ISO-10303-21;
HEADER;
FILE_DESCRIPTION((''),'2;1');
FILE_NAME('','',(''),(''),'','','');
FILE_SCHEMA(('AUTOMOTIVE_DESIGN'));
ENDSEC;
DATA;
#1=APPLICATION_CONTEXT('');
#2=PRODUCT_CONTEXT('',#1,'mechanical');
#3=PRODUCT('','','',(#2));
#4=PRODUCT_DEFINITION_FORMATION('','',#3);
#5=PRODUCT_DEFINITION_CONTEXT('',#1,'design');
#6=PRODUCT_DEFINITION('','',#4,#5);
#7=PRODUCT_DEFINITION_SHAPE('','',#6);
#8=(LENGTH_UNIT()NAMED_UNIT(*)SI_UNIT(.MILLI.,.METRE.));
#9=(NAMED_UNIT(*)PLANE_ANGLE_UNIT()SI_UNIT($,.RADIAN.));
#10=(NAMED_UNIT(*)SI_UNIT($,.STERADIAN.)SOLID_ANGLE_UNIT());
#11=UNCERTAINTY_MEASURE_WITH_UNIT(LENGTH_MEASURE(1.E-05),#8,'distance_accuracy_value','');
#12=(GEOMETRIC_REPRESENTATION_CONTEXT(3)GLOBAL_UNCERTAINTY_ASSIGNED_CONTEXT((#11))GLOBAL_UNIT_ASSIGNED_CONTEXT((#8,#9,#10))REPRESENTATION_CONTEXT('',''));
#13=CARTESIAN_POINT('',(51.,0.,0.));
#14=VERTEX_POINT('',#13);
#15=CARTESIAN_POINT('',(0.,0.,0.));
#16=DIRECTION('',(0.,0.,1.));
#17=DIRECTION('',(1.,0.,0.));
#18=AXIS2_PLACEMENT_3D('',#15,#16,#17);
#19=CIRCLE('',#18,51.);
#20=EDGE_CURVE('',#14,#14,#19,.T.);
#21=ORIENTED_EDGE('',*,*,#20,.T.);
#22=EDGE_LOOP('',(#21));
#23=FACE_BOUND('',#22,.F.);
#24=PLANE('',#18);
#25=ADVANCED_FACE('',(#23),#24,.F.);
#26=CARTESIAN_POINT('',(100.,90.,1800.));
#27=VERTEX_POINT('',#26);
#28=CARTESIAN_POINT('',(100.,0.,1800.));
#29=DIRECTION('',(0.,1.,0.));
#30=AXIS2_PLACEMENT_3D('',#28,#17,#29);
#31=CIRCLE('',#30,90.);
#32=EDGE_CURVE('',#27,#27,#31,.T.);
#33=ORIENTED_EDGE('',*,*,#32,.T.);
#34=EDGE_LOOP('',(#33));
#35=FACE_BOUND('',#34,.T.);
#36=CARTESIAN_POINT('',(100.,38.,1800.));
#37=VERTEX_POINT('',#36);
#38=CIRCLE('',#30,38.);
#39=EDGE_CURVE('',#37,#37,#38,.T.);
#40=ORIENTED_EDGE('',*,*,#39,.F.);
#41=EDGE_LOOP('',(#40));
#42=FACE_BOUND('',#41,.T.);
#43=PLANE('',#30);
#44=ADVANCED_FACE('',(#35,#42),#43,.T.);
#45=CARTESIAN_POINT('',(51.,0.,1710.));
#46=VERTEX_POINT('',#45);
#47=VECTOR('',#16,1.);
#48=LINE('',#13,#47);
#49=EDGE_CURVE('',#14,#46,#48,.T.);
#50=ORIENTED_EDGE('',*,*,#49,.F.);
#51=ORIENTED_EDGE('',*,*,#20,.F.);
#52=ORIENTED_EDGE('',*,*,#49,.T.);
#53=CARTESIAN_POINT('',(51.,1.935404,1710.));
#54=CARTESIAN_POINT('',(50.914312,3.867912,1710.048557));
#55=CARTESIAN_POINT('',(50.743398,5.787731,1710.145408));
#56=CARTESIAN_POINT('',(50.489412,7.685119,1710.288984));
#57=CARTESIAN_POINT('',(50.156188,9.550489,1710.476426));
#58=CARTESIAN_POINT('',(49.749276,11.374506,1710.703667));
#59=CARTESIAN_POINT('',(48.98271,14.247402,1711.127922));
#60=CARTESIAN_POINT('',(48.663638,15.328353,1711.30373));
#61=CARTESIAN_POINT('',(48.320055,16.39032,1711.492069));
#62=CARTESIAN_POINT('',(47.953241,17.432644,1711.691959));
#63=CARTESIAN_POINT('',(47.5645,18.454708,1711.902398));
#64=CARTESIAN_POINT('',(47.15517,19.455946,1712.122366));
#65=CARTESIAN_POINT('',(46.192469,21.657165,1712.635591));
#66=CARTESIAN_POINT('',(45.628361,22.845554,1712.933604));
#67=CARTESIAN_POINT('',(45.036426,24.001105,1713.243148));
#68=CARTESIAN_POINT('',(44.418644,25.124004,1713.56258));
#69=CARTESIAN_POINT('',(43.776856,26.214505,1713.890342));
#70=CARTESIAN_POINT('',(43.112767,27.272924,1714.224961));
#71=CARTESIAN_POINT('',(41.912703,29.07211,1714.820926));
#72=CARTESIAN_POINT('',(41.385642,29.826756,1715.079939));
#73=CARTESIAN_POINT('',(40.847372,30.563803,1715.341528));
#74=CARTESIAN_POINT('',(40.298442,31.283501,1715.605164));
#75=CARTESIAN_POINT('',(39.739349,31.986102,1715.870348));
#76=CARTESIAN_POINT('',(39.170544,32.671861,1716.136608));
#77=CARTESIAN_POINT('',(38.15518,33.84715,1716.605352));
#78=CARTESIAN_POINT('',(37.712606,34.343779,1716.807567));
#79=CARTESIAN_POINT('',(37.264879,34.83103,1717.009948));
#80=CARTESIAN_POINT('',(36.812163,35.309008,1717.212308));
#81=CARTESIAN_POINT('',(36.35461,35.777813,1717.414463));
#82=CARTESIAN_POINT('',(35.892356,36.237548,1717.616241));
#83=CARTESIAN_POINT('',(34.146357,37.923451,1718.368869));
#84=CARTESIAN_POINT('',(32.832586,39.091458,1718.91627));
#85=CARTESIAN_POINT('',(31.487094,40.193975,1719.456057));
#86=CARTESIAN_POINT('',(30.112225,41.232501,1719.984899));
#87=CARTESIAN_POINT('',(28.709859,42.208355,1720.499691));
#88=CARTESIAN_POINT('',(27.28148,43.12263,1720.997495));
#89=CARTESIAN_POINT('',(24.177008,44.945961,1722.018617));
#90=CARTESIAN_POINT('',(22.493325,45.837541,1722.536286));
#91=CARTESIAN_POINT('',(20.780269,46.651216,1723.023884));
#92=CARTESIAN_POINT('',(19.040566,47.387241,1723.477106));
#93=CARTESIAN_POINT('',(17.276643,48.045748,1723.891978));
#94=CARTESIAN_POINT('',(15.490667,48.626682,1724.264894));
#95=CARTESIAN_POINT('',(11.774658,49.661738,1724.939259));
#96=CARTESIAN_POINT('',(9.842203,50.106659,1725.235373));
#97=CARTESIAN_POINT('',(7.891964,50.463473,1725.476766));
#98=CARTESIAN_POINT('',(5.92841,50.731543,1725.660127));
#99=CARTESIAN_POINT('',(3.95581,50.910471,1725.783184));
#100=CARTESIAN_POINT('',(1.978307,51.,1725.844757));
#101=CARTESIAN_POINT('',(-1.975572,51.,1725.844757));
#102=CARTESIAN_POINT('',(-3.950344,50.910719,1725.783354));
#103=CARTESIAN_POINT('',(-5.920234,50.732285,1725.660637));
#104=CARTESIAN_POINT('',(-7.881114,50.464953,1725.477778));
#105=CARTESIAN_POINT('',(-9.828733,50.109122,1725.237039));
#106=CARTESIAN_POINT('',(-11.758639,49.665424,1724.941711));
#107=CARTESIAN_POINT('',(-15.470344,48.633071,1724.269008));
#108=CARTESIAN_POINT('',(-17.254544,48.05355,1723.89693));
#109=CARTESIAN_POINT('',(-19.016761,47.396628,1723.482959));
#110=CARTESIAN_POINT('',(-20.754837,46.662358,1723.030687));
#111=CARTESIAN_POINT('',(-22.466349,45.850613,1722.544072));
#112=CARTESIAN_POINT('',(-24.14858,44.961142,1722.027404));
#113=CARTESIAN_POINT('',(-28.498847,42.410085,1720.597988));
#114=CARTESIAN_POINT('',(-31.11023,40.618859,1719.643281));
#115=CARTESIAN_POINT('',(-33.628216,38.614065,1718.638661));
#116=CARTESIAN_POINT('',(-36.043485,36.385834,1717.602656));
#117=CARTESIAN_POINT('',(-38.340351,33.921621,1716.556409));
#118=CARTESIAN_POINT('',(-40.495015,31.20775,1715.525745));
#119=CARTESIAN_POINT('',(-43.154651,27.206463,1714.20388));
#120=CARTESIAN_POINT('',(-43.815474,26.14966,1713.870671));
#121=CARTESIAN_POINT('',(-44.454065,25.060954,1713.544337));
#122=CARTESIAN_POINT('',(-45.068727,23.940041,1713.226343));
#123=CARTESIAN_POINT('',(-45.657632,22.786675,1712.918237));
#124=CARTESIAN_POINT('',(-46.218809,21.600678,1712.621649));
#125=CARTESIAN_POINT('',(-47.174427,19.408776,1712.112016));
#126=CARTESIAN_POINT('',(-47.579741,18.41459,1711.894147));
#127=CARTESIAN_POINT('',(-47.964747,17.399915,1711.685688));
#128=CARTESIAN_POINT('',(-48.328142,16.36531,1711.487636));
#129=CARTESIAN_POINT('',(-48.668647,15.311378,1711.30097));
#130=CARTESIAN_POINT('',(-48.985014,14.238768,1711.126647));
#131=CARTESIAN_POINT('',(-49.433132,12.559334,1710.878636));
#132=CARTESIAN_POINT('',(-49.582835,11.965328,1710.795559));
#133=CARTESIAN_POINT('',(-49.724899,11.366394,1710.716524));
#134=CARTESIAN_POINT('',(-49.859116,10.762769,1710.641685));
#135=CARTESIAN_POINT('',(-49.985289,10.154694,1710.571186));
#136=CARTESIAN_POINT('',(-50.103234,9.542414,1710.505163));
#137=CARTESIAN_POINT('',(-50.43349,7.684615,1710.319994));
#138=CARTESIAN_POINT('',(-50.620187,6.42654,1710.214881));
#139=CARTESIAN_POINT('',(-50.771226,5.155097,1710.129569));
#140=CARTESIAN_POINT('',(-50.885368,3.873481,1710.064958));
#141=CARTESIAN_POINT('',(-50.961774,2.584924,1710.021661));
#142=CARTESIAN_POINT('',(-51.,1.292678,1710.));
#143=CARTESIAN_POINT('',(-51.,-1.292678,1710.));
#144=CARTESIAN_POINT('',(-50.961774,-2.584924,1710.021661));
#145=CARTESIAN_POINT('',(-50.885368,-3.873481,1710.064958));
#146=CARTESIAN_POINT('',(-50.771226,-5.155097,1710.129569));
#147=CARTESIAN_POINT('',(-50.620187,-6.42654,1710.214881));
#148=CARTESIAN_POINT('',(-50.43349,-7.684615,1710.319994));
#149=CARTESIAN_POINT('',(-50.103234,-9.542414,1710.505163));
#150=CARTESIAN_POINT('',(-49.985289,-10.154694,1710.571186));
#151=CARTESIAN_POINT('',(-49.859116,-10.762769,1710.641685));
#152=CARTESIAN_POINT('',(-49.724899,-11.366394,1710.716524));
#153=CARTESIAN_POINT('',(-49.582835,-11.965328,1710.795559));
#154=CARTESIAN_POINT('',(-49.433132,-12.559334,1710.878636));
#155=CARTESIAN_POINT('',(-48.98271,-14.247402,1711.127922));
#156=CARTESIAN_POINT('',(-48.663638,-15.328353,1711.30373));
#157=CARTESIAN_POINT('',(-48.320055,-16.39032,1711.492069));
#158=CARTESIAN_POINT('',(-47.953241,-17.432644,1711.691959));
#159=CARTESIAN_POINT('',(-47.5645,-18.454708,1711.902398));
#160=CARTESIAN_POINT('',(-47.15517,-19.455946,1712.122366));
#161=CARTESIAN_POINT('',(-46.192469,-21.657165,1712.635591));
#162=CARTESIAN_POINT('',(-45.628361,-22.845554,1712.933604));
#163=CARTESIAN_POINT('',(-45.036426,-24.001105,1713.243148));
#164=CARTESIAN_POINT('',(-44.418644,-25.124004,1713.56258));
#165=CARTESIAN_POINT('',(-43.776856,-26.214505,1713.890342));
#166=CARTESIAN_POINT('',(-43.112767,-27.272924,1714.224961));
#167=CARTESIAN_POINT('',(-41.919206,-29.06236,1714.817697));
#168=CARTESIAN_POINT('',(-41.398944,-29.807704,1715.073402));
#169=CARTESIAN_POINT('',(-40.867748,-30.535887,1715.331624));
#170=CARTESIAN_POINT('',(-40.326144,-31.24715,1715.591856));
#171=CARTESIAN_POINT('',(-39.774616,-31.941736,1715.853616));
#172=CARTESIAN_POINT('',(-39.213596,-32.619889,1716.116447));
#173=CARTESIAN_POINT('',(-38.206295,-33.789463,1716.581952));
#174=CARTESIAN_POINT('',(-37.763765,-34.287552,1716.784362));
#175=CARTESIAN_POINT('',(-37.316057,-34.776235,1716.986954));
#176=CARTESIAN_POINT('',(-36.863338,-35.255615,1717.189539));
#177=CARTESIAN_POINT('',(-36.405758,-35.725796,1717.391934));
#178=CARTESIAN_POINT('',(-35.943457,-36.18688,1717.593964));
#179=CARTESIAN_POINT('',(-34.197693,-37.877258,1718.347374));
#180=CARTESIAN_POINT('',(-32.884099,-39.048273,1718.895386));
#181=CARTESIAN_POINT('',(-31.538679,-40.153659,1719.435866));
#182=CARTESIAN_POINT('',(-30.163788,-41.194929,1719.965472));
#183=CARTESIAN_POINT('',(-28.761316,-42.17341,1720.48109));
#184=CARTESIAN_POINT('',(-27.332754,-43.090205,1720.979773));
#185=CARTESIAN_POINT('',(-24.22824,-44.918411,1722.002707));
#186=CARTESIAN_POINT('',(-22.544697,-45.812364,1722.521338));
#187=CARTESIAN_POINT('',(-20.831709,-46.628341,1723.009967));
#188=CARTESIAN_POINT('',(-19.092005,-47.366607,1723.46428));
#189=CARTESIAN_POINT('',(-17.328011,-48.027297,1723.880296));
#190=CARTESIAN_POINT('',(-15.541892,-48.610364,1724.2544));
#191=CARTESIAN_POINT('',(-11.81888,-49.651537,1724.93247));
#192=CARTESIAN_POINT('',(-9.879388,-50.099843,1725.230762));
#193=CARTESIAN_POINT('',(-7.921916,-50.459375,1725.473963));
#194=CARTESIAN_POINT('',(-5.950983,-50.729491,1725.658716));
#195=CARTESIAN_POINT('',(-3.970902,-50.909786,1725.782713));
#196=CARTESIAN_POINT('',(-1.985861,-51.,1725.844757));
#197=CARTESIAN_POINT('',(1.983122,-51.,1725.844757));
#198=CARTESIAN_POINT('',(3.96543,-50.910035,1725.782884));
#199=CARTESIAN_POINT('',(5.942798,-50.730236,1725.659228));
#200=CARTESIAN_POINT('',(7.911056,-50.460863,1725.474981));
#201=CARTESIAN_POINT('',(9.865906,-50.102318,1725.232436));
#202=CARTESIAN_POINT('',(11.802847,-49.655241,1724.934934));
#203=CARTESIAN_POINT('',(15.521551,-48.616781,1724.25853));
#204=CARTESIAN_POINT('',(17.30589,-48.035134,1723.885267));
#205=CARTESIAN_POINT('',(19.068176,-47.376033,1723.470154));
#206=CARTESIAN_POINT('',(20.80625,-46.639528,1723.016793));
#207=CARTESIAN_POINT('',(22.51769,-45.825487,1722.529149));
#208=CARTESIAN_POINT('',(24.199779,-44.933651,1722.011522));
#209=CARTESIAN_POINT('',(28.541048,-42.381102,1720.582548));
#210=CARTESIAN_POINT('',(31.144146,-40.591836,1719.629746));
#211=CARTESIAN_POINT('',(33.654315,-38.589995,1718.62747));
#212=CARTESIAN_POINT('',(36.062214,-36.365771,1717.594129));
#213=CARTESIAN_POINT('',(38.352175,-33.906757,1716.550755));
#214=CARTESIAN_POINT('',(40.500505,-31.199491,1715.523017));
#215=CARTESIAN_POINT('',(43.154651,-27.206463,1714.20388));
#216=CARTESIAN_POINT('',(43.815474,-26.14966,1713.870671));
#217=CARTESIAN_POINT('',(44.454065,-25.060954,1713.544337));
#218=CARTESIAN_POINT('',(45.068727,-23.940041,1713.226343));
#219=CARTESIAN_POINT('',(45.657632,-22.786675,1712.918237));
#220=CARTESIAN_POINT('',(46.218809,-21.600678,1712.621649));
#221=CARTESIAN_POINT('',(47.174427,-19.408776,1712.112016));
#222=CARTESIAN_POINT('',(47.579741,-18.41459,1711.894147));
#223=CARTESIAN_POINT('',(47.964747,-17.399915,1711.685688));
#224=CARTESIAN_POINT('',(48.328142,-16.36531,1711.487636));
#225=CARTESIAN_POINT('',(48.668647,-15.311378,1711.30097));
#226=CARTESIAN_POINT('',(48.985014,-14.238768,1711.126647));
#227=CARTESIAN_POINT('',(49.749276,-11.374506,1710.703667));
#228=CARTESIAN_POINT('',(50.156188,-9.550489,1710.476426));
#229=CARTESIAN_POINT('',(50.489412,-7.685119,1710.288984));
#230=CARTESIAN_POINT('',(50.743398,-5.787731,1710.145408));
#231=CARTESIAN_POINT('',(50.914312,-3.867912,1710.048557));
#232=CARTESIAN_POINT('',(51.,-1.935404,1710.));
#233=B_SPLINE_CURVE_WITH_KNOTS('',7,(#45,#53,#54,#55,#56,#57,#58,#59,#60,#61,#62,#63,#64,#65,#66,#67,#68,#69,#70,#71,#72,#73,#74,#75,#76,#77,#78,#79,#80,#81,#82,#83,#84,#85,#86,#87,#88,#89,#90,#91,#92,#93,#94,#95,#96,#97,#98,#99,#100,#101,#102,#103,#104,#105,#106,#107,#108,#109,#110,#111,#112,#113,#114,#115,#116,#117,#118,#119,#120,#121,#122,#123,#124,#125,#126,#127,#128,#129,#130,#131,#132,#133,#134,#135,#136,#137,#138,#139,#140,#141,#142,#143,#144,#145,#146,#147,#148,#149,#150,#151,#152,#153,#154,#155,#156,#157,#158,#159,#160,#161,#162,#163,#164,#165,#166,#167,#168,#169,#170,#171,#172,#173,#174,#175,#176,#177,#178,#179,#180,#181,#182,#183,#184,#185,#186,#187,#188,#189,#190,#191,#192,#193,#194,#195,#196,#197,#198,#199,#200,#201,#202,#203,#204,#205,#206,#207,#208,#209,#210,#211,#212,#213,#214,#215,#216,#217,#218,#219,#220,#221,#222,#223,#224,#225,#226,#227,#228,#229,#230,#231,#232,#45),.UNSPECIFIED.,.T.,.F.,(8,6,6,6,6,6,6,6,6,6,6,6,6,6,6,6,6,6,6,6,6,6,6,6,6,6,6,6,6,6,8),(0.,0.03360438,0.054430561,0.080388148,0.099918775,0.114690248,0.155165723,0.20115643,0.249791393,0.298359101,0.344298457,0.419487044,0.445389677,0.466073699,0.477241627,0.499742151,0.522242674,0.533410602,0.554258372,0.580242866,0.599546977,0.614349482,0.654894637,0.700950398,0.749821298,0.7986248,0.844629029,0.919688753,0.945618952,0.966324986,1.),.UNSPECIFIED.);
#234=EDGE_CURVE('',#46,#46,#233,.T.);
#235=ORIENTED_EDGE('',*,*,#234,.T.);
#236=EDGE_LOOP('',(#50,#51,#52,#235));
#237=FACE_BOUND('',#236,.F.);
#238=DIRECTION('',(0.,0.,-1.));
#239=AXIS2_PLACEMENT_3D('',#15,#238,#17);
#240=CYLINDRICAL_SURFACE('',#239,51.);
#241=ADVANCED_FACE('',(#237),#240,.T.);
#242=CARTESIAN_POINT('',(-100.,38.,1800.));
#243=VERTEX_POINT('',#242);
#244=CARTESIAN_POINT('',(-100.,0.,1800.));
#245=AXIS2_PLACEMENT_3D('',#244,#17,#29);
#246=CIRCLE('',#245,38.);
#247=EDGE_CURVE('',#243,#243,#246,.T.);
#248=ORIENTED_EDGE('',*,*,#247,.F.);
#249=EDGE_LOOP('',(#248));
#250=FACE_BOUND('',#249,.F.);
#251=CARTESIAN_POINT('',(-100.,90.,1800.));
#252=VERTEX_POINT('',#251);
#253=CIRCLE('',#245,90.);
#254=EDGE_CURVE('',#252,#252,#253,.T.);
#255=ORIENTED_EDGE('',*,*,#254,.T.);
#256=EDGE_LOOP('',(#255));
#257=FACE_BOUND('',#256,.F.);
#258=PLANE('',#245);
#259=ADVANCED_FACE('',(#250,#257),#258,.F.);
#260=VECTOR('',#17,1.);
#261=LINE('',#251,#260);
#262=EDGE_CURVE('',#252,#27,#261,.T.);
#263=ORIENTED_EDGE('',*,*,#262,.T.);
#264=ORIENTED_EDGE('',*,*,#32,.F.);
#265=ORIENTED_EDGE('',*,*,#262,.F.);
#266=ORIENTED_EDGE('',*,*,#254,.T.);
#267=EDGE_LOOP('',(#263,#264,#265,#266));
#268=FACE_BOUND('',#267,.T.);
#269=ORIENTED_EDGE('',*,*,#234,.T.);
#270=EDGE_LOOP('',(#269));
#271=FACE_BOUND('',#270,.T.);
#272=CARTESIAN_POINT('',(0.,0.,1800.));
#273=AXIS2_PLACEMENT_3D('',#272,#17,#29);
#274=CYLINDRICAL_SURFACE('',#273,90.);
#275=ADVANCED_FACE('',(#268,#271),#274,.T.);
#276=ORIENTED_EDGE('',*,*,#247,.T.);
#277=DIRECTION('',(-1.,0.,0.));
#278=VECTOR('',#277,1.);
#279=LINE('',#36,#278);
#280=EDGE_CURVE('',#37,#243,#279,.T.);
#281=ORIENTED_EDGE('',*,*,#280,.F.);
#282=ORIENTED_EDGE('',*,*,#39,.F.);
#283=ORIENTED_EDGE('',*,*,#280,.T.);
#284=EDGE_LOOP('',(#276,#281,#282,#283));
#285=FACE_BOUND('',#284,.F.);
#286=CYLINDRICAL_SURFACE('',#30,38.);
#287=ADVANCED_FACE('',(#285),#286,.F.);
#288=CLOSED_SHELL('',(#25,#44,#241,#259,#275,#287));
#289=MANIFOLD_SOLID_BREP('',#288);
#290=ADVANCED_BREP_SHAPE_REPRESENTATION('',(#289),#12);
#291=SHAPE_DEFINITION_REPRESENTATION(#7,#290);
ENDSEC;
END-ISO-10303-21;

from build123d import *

# Parameters (mm, degrees)
F0_R     = 51
F1_DEPTH = 1800
F2_R     = 90
F3_DEPTH = 100
F4_R     = 38
F5_DEPTH = 200.001


with BuildPart() as f1:
    # F0 (on Top) → F1 (new body)
    with BuildSketch(Plane.XY):
        Circle(F0_R)
    extrude(amount=F1_DEPTH)

    # F2 (on Right) → F3 (join, symmetric)
    with BuildSketch(Plane.YZ):
        with Locations((0, 1800)):
            Circle(F2_R)
    extrude(amount=F3_DEPTH, both=True)

    # F4 (on face) → F5 (cut, through all)
    with BuildSketch(Plane.YZ.offset(100)):
        with Locations((0, 1800)):
            Circle(F4_R)
    extrude(amount=-F5_DEPTH, mode=Mode.SUBTRACT)


solid = f1.part
